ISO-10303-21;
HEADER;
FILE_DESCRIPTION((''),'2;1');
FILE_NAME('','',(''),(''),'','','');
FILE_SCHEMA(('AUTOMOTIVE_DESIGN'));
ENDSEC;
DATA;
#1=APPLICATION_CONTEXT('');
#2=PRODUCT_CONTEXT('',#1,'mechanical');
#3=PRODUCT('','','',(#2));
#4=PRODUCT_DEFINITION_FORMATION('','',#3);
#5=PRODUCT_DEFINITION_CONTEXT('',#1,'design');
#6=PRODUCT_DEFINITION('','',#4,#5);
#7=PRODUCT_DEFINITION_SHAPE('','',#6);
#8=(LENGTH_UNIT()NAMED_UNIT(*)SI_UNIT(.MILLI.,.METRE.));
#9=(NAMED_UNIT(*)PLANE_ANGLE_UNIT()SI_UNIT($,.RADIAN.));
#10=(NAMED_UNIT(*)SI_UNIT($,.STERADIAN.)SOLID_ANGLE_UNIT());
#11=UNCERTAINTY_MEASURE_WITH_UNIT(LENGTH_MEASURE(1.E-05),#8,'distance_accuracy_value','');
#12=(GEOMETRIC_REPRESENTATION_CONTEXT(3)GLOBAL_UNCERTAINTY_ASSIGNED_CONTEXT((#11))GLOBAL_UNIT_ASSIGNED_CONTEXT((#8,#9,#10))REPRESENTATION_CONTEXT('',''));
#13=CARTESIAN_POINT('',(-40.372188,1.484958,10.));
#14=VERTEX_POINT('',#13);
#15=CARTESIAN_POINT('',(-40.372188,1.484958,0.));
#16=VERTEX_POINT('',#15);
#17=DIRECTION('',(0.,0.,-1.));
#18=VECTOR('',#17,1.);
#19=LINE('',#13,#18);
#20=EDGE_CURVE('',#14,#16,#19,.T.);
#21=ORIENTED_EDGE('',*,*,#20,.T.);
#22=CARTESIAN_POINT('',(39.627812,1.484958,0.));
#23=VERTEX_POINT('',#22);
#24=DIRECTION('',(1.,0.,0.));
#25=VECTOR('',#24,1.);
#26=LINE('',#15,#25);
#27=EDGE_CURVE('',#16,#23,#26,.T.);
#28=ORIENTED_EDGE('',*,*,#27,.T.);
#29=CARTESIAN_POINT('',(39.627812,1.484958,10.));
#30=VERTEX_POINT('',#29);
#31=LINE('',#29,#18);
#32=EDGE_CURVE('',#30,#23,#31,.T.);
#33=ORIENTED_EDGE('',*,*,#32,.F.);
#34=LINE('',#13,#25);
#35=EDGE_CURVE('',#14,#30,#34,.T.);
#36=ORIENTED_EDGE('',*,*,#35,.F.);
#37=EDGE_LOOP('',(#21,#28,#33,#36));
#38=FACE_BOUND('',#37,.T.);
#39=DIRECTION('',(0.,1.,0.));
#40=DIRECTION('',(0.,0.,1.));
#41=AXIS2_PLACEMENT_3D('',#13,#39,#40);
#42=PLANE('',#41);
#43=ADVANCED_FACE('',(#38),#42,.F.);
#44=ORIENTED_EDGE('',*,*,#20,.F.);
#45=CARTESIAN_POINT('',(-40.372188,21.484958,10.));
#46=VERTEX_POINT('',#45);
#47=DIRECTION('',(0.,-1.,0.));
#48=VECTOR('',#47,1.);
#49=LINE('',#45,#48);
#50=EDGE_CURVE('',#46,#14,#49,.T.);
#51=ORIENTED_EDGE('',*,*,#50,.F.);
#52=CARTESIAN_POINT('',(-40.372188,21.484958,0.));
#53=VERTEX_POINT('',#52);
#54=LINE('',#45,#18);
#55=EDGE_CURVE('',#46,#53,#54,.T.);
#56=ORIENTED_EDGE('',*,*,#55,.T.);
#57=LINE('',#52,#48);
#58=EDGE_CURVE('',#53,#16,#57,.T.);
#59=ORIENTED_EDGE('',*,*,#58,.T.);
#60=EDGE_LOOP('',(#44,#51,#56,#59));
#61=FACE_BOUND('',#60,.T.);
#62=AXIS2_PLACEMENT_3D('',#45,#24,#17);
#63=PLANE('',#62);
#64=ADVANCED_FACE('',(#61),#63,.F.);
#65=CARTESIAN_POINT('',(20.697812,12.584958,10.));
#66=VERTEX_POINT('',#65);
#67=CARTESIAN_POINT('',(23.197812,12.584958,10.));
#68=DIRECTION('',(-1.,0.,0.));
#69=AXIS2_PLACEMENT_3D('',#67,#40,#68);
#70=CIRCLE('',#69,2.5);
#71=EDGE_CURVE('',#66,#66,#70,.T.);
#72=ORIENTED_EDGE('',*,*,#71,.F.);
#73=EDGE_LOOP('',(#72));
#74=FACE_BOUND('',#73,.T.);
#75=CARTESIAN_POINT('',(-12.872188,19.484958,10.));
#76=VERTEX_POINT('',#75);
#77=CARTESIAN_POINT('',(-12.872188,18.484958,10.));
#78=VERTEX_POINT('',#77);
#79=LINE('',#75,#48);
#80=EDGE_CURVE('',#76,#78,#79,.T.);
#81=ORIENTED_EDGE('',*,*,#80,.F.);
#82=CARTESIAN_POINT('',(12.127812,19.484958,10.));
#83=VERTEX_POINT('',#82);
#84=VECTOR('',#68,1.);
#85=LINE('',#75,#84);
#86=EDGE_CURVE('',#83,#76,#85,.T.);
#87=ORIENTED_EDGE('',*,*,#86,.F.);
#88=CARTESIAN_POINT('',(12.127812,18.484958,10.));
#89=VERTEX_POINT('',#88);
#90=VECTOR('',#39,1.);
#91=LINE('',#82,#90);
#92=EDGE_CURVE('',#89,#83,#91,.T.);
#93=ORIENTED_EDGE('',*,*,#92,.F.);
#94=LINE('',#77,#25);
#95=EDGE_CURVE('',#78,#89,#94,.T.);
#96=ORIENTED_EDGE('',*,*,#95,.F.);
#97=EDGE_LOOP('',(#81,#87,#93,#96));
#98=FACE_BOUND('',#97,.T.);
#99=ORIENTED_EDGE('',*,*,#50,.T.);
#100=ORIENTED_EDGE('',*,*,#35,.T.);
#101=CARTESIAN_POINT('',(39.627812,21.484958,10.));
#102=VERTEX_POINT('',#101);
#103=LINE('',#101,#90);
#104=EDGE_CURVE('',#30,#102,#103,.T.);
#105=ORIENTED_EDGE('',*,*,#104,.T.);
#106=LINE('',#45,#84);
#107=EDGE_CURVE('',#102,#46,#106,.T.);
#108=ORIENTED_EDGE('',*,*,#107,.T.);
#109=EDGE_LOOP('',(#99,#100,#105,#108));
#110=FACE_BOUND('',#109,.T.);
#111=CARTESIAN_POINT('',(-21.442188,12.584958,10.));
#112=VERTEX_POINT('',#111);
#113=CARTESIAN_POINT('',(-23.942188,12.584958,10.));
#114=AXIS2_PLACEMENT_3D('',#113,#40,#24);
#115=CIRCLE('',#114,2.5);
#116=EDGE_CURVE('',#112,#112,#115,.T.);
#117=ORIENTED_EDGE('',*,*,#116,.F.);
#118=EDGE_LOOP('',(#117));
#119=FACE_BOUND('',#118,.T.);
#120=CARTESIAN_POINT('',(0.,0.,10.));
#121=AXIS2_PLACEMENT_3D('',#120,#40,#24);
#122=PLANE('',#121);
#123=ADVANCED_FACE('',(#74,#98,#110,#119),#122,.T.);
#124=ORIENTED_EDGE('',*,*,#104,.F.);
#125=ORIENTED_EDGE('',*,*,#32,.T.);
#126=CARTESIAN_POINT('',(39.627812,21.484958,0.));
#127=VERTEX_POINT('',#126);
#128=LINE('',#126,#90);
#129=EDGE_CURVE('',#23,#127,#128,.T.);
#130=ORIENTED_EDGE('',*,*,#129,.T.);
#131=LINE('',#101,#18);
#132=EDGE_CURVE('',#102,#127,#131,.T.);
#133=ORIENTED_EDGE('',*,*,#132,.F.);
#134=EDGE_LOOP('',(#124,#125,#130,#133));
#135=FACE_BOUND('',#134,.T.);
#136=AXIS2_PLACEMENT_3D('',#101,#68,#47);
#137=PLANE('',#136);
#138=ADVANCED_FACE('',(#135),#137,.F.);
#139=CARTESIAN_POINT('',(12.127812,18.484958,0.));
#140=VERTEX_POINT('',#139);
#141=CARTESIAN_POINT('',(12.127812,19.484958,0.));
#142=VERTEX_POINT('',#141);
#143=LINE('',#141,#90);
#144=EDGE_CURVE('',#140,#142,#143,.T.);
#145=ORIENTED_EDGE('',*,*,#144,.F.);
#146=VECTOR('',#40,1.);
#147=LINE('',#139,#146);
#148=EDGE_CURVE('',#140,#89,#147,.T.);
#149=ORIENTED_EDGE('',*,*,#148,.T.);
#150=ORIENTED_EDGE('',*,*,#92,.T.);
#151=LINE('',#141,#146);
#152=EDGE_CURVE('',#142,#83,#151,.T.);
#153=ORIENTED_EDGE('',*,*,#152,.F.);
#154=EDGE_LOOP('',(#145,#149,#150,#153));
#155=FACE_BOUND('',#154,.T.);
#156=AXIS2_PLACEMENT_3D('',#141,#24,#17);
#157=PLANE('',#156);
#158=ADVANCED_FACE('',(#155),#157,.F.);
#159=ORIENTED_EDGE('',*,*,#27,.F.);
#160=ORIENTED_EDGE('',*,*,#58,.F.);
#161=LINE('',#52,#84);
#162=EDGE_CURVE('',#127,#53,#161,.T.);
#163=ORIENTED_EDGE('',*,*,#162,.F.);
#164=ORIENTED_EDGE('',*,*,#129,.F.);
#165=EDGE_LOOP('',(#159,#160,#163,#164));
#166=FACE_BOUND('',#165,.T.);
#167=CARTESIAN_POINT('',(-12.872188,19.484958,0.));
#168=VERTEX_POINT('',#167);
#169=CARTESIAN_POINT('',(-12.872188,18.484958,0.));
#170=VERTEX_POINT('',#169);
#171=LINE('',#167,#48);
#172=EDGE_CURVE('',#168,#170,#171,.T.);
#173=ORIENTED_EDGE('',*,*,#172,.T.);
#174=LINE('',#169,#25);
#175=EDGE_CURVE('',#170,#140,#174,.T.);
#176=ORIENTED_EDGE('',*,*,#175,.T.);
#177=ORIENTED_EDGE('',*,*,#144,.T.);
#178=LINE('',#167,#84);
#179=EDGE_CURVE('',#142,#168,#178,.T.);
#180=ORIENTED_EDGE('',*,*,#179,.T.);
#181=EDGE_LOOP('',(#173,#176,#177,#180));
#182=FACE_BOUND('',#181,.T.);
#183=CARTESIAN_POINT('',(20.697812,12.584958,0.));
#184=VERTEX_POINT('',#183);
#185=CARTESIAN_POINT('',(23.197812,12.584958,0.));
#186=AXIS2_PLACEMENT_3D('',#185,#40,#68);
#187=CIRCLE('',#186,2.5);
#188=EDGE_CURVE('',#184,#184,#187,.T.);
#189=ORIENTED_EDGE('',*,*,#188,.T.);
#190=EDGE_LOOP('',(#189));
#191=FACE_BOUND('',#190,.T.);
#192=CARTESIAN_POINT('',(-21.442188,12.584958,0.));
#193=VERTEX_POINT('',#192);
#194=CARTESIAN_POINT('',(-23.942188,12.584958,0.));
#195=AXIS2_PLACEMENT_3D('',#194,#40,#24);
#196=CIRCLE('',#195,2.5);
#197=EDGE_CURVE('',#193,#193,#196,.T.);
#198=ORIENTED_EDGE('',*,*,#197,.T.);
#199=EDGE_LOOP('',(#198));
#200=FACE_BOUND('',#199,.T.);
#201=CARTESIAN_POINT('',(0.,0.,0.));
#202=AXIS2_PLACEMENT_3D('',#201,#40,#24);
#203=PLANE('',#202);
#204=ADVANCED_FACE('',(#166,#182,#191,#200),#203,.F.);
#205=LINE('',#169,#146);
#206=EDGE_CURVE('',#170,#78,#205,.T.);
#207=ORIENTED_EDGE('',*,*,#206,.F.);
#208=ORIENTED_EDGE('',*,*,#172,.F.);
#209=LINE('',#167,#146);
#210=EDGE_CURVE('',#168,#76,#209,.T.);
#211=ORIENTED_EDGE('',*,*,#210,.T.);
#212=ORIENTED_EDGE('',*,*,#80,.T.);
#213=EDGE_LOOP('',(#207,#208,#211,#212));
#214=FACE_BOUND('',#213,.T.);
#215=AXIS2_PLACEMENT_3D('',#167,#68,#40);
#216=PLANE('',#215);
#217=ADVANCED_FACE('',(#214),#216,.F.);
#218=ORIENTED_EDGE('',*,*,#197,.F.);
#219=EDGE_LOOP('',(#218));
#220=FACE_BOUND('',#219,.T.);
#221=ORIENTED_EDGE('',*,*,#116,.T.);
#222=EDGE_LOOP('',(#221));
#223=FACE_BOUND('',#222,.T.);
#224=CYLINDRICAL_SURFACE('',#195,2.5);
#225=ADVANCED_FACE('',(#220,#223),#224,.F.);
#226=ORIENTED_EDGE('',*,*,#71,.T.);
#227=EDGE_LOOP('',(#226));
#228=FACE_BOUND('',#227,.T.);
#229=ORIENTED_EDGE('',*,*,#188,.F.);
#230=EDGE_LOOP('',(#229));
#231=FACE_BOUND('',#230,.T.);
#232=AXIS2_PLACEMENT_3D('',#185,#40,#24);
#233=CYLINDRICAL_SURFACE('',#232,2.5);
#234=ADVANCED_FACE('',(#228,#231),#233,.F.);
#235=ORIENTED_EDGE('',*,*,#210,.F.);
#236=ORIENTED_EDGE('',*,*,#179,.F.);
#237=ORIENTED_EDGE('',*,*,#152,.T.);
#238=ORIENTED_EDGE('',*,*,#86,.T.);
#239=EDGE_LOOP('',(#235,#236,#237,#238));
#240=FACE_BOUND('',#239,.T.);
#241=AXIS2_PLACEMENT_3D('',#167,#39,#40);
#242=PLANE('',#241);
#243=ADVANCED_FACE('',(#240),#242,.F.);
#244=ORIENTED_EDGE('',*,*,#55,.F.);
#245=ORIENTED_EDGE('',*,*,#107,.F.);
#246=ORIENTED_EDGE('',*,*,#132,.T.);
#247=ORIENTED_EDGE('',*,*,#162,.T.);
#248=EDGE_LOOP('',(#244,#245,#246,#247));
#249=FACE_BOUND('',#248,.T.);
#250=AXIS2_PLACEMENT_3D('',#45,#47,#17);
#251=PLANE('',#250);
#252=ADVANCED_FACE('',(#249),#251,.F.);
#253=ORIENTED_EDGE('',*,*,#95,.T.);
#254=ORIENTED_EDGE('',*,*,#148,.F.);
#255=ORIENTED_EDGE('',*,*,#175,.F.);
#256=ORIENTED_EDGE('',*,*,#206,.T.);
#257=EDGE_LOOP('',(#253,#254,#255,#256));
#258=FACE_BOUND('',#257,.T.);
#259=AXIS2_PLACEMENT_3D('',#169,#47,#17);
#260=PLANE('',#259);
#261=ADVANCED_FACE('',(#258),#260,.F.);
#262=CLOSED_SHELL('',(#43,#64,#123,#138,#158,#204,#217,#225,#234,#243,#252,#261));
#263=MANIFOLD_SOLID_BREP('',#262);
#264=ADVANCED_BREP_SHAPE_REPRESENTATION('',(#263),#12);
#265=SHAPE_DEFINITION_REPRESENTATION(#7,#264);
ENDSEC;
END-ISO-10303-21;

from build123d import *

# Parameters (mm, degrees)
SKETCH1_W           = 80
SKETCH1_H           = 20
BOSS_EXTRUDE1_DEPTH = 10
SKETCH2_R           = 2.5
CUT_EXTRUDE1_DEPTH  = 47.813641243
SKETCH3_W           = 25
SKETCH3_H           = 1
CUT_EXTRUDE2_DEPTH  = 47.813641243


with BuildPart() as part:
    # Sketch1 → Boss-Extrude1 (new body)
    with BuildSketch(Plane.XY):
        with Locations((-0.372188153, 11.484958231)):
            Rectangle(SKETCH1_W, SKETCH1_H)
    extrude(amount=BOSS_EXTRUDE1_DEPTH)

    # Sketch2 → Cut-Extrude1 (cut, through all)
    with BuildSketch(Plane.XY.offset(10)):
        with Locations((-23.942188153, 12.584958231)):
            Circle(SKETCH2_R)
        with Locations(Location((23.197811847, 12.584958231, 0), (0, 0, 180))):
            Circle(SKETCH2_R)
    extrude(amount=-CUT_EXTRUDE1_DEPTH, mode=Mode.SUBTRACT)

    # Sketch3 → Cut-Extrude2 (cut, through all)
    with BuildSketch(Plane.XY.offset(10)):
        with Locations((-0.372188153, 18.984958231)):
            Rectangle(SKETCH3_W, SKETCH3_H)
    extrude(amount=-CUT_EXTRUDE2_DEPTH, mode=Mode.SUBTRACT)


solid = part.part
